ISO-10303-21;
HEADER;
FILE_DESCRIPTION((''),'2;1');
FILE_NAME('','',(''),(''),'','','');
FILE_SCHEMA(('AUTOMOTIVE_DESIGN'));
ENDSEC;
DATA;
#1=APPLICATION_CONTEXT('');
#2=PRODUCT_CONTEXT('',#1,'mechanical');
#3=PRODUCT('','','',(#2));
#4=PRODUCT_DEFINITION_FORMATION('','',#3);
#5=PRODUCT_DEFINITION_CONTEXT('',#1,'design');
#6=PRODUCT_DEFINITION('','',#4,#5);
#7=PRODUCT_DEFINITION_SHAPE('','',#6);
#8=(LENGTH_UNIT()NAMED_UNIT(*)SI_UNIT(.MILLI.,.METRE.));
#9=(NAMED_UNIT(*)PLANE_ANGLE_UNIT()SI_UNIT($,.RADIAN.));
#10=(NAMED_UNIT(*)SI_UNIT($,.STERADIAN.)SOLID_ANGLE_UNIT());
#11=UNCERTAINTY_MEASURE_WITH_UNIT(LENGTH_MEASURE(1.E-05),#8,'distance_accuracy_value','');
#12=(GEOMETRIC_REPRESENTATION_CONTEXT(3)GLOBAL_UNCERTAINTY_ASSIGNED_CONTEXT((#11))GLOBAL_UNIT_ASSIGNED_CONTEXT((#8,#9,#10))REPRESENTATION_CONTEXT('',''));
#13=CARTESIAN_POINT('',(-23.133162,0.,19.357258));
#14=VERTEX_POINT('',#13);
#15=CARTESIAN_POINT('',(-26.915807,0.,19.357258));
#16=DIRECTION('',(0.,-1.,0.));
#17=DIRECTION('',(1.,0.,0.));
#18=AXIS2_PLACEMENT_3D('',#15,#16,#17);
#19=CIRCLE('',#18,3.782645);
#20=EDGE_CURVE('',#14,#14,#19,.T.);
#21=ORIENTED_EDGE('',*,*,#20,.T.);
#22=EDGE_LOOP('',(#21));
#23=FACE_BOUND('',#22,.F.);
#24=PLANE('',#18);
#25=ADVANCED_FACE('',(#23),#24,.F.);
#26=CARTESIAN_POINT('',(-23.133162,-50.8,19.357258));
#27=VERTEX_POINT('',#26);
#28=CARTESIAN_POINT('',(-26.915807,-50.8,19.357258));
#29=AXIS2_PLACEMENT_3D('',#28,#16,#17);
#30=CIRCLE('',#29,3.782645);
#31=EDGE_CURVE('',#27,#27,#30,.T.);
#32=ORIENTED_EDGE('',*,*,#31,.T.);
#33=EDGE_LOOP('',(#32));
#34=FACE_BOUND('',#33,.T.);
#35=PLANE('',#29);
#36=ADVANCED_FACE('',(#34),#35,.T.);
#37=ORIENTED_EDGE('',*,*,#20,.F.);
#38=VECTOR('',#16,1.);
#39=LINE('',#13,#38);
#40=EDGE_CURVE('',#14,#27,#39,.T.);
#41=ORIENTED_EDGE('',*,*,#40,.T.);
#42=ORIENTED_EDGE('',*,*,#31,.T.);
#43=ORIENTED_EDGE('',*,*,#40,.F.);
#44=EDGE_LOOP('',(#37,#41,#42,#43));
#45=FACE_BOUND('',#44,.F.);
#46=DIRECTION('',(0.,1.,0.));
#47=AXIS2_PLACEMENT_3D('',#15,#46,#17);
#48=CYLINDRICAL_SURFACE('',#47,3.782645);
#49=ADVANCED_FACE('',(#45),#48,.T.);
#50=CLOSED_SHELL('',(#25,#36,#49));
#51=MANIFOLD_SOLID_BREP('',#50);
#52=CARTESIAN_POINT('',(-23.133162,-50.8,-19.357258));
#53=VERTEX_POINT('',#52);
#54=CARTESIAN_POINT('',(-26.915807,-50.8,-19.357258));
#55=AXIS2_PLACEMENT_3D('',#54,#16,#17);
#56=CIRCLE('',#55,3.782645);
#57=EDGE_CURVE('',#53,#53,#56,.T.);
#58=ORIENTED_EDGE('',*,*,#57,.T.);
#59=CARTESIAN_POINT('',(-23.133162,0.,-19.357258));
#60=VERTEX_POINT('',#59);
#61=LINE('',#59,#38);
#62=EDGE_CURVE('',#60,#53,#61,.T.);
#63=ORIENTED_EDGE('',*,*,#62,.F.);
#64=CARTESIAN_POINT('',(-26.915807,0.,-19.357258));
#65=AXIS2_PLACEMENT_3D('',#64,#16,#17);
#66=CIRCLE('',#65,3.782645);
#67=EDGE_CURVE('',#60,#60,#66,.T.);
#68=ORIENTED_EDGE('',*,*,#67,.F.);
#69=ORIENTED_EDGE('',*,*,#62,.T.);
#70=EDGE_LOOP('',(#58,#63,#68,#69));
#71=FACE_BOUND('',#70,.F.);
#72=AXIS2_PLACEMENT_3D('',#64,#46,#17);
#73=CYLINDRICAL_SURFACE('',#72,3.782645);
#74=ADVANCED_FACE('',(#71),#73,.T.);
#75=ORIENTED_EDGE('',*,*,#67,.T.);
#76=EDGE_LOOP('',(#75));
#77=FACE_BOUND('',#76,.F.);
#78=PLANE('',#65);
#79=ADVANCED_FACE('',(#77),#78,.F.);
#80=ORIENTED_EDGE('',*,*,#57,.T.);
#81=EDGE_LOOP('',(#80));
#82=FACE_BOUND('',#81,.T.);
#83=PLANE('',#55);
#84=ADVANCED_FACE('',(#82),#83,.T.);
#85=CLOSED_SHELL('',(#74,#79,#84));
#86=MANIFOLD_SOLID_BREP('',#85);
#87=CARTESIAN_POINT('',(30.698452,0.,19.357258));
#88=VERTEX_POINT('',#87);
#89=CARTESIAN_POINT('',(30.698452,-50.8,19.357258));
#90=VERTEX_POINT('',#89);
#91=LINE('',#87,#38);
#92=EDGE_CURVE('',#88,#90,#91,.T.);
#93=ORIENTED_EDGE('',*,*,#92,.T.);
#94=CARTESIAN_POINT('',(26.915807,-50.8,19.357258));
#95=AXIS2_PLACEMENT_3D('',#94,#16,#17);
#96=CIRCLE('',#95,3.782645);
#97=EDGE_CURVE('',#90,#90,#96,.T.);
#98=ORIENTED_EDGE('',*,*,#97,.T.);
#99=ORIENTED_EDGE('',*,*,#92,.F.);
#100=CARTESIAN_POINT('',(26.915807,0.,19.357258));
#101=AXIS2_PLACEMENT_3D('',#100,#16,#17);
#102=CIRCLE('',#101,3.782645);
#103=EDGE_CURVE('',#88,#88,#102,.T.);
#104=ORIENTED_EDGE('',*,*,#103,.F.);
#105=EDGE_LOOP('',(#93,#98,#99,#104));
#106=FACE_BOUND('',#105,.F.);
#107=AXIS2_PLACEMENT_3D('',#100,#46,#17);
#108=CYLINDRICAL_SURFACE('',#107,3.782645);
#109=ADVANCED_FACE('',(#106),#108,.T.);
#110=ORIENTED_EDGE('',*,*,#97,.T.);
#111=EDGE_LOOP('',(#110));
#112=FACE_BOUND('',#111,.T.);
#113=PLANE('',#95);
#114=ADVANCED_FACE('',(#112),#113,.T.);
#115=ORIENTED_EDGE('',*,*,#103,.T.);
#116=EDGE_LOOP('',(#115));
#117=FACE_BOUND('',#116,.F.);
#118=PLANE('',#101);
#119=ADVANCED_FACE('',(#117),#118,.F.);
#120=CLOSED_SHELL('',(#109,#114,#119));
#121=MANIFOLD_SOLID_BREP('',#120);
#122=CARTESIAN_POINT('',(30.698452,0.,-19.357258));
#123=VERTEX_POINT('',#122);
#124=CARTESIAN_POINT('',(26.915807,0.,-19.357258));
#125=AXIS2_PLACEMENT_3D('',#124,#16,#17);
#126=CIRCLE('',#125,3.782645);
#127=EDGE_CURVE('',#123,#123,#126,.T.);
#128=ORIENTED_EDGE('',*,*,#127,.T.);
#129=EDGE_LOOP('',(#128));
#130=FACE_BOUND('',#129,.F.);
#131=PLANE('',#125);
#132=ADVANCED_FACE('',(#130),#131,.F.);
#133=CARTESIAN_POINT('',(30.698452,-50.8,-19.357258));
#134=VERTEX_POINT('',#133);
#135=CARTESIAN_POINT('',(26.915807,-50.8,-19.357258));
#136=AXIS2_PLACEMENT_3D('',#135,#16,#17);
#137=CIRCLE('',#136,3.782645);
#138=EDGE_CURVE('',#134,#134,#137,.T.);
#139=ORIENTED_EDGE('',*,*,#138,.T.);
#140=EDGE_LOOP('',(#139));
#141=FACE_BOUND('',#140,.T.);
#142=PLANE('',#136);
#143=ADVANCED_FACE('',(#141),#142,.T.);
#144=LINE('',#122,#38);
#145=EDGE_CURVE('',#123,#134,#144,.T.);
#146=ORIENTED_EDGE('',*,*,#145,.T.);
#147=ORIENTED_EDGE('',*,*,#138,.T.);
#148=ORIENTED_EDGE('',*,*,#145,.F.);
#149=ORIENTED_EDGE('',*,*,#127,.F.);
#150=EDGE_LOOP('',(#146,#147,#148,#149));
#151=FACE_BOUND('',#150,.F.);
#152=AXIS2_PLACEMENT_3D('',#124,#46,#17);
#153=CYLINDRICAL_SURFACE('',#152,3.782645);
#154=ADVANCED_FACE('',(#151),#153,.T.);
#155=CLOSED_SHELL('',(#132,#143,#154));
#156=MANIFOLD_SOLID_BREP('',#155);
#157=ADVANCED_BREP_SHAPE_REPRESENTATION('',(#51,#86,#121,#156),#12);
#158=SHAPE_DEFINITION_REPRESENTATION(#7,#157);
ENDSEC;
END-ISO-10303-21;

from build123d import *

# Parameters (mm, degrees)
F0_R     = 3.782645
F1_DEPTH = 50.8


with BuildPart() as f1:
    # F0 (on Front) → F1 (new body)
    with BuildSketch(Plane.XZ):
        with Locations((-26.915807, 19.357258)):
            Circle(F0_R)
        with Locations((26.915807, 19.357258)):
            Circle(F0_R)
        with Locations((26.915807, -19.357258)):
            Circle(F0_R)
        with Locations((-26.915807, -19.357258)):
            Circle(F0_R)
    extrude(amount=F1_DEPTH)


solid = f1.part
